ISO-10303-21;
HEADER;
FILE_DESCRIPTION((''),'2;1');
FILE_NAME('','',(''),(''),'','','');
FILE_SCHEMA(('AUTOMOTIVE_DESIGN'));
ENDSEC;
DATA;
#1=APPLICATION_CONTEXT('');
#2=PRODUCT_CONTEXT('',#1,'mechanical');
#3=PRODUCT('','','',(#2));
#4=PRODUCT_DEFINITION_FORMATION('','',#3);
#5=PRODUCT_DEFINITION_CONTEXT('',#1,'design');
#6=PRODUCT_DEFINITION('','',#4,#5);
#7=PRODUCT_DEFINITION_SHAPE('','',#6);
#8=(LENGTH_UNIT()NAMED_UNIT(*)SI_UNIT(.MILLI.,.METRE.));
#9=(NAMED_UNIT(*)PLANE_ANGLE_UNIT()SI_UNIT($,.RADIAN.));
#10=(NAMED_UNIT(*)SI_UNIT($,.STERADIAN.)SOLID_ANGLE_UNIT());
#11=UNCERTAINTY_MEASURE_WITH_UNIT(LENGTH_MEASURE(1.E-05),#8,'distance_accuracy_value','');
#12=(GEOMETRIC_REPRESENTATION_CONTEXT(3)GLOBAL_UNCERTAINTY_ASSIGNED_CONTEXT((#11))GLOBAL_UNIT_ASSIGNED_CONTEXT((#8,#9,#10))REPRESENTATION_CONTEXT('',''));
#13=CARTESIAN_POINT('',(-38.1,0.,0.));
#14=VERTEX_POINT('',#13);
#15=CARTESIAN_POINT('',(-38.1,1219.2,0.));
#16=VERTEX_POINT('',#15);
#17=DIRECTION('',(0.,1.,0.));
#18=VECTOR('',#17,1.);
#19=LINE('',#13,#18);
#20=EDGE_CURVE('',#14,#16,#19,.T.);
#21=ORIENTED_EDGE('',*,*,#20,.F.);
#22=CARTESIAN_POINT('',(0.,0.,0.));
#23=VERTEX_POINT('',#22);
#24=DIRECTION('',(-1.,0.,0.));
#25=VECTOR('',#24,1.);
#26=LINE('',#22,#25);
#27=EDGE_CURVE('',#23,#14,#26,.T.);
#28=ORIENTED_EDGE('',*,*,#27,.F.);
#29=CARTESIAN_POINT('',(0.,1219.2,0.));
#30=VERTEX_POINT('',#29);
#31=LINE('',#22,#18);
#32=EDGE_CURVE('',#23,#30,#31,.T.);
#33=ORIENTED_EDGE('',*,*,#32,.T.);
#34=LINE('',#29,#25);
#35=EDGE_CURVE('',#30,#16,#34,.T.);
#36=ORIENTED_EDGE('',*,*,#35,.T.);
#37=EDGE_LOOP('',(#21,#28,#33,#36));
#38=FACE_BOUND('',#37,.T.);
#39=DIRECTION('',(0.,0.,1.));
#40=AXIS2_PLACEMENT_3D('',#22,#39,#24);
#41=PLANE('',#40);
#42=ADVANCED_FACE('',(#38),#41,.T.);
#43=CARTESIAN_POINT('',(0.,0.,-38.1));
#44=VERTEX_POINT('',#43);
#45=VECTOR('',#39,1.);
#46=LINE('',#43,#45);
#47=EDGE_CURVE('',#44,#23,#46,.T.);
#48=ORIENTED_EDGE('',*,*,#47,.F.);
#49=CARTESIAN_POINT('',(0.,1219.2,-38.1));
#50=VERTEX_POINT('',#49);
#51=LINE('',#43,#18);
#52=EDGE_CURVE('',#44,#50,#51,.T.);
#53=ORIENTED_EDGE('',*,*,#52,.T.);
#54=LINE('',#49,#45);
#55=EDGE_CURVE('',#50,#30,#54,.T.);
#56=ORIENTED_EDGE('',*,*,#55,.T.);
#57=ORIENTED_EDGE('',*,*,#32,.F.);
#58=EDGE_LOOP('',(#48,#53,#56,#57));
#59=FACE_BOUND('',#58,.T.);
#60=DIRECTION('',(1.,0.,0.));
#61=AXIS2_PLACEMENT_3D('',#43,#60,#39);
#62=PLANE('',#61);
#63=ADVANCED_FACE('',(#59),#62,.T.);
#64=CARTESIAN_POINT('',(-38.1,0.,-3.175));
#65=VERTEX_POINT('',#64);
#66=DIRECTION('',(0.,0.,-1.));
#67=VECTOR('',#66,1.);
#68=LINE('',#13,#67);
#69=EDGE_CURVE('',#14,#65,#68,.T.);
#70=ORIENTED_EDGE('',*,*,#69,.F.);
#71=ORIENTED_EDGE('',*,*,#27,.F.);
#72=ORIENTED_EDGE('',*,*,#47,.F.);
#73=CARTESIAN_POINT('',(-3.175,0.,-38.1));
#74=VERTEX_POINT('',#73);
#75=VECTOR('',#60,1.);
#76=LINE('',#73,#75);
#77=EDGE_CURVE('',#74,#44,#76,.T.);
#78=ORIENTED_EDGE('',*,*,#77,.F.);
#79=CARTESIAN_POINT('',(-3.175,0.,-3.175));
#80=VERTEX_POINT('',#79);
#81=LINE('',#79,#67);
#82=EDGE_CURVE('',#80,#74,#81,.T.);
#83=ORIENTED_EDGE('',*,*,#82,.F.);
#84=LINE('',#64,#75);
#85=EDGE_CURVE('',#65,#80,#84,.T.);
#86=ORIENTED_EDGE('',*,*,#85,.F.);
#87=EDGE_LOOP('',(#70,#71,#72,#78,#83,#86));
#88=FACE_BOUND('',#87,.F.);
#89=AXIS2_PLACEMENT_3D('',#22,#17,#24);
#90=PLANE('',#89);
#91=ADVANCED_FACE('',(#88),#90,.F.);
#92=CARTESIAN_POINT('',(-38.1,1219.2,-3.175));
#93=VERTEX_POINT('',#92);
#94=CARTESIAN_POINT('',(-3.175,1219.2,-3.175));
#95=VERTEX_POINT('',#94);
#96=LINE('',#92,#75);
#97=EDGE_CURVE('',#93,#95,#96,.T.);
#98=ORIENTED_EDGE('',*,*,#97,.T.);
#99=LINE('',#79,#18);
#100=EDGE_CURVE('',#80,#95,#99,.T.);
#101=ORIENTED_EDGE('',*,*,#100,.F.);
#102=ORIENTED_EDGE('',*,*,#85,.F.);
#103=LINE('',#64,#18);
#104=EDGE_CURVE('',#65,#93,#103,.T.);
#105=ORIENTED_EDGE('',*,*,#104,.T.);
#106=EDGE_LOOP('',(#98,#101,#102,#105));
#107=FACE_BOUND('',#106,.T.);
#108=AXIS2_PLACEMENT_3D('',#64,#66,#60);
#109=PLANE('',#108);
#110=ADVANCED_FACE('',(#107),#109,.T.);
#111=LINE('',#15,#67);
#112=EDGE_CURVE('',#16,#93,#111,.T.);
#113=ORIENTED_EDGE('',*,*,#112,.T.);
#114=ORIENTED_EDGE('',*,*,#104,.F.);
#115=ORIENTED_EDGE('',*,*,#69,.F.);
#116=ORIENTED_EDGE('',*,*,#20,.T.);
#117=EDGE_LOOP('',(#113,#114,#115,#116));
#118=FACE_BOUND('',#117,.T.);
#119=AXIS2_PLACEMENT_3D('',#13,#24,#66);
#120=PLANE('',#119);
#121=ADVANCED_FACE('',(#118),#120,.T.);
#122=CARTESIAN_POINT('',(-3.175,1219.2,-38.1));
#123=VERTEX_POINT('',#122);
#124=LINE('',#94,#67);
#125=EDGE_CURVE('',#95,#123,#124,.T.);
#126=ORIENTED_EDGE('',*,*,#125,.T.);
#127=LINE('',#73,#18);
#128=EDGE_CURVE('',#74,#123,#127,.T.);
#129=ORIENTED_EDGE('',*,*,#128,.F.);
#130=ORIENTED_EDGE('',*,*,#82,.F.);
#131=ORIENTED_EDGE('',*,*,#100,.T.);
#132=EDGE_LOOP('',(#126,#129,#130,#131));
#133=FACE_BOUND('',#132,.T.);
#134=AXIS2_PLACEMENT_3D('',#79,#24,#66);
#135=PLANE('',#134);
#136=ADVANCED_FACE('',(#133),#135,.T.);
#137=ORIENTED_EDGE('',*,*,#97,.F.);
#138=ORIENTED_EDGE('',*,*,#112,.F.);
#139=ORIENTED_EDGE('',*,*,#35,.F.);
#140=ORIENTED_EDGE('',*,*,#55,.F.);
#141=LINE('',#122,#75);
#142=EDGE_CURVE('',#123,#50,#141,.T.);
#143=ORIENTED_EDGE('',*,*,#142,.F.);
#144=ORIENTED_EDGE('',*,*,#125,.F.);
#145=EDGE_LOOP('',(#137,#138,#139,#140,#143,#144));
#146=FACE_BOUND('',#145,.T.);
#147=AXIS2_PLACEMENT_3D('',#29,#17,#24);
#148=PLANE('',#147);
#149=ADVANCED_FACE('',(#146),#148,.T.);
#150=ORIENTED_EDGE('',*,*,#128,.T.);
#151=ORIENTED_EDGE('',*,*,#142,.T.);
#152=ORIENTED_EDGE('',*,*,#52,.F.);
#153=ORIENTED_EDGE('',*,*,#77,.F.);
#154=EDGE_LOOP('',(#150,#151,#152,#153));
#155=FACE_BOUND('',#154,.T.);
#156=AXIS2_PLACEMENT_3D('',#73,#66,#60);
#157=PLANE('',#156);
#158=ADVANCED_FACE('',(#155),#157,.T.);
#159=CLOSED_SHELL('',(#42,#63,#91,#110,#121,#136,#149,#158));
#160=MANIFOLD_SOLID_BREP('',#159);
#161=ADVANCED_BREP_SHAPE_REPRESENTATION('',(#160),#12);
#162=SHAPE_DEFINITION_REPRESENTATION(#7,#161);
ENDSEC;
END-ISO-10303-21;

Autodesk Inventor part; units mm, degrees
ref_plane "YZ Plane" through (0, 0, 0) normal (1, 0, 0) x (0, 1, 0)
ref_plane "XZ Plane" through (0, 0, 0) normal (0, 1, 0) x (-1, 0, 0)
ref_plane "XY Plane" through (0, 0, 0) normal (0, 0, 1) x (1, 0, 0)
sketch "Sketch1" plane through (0, 0, 0) normal (0, 1, 0) x (-1, 0, 0)
  line L0 (0, 0) -> (38.1, 0)
  line L1 (38.1, 0) -> (38.1, -3.175)
  line L2 (38.1, -3.175) -> (3.175, -3.175)
  line L3 (3.175, -3.175) -> (3.175, -38.1)
  line L4 (3.175, -38.1) -> (0, -38.1)
  line L5 (0, -38.1) -> (0, 0)
  dimension "d0" = 3.175
  dimension "d1" = 3.175
  dimension "d2" = 38.1
  dimension "d3" = 38.1
extrude "Extrusion1" add sketch "Sketch1" along normal blind 1219.2
properties part number "Angle_4-ft"
